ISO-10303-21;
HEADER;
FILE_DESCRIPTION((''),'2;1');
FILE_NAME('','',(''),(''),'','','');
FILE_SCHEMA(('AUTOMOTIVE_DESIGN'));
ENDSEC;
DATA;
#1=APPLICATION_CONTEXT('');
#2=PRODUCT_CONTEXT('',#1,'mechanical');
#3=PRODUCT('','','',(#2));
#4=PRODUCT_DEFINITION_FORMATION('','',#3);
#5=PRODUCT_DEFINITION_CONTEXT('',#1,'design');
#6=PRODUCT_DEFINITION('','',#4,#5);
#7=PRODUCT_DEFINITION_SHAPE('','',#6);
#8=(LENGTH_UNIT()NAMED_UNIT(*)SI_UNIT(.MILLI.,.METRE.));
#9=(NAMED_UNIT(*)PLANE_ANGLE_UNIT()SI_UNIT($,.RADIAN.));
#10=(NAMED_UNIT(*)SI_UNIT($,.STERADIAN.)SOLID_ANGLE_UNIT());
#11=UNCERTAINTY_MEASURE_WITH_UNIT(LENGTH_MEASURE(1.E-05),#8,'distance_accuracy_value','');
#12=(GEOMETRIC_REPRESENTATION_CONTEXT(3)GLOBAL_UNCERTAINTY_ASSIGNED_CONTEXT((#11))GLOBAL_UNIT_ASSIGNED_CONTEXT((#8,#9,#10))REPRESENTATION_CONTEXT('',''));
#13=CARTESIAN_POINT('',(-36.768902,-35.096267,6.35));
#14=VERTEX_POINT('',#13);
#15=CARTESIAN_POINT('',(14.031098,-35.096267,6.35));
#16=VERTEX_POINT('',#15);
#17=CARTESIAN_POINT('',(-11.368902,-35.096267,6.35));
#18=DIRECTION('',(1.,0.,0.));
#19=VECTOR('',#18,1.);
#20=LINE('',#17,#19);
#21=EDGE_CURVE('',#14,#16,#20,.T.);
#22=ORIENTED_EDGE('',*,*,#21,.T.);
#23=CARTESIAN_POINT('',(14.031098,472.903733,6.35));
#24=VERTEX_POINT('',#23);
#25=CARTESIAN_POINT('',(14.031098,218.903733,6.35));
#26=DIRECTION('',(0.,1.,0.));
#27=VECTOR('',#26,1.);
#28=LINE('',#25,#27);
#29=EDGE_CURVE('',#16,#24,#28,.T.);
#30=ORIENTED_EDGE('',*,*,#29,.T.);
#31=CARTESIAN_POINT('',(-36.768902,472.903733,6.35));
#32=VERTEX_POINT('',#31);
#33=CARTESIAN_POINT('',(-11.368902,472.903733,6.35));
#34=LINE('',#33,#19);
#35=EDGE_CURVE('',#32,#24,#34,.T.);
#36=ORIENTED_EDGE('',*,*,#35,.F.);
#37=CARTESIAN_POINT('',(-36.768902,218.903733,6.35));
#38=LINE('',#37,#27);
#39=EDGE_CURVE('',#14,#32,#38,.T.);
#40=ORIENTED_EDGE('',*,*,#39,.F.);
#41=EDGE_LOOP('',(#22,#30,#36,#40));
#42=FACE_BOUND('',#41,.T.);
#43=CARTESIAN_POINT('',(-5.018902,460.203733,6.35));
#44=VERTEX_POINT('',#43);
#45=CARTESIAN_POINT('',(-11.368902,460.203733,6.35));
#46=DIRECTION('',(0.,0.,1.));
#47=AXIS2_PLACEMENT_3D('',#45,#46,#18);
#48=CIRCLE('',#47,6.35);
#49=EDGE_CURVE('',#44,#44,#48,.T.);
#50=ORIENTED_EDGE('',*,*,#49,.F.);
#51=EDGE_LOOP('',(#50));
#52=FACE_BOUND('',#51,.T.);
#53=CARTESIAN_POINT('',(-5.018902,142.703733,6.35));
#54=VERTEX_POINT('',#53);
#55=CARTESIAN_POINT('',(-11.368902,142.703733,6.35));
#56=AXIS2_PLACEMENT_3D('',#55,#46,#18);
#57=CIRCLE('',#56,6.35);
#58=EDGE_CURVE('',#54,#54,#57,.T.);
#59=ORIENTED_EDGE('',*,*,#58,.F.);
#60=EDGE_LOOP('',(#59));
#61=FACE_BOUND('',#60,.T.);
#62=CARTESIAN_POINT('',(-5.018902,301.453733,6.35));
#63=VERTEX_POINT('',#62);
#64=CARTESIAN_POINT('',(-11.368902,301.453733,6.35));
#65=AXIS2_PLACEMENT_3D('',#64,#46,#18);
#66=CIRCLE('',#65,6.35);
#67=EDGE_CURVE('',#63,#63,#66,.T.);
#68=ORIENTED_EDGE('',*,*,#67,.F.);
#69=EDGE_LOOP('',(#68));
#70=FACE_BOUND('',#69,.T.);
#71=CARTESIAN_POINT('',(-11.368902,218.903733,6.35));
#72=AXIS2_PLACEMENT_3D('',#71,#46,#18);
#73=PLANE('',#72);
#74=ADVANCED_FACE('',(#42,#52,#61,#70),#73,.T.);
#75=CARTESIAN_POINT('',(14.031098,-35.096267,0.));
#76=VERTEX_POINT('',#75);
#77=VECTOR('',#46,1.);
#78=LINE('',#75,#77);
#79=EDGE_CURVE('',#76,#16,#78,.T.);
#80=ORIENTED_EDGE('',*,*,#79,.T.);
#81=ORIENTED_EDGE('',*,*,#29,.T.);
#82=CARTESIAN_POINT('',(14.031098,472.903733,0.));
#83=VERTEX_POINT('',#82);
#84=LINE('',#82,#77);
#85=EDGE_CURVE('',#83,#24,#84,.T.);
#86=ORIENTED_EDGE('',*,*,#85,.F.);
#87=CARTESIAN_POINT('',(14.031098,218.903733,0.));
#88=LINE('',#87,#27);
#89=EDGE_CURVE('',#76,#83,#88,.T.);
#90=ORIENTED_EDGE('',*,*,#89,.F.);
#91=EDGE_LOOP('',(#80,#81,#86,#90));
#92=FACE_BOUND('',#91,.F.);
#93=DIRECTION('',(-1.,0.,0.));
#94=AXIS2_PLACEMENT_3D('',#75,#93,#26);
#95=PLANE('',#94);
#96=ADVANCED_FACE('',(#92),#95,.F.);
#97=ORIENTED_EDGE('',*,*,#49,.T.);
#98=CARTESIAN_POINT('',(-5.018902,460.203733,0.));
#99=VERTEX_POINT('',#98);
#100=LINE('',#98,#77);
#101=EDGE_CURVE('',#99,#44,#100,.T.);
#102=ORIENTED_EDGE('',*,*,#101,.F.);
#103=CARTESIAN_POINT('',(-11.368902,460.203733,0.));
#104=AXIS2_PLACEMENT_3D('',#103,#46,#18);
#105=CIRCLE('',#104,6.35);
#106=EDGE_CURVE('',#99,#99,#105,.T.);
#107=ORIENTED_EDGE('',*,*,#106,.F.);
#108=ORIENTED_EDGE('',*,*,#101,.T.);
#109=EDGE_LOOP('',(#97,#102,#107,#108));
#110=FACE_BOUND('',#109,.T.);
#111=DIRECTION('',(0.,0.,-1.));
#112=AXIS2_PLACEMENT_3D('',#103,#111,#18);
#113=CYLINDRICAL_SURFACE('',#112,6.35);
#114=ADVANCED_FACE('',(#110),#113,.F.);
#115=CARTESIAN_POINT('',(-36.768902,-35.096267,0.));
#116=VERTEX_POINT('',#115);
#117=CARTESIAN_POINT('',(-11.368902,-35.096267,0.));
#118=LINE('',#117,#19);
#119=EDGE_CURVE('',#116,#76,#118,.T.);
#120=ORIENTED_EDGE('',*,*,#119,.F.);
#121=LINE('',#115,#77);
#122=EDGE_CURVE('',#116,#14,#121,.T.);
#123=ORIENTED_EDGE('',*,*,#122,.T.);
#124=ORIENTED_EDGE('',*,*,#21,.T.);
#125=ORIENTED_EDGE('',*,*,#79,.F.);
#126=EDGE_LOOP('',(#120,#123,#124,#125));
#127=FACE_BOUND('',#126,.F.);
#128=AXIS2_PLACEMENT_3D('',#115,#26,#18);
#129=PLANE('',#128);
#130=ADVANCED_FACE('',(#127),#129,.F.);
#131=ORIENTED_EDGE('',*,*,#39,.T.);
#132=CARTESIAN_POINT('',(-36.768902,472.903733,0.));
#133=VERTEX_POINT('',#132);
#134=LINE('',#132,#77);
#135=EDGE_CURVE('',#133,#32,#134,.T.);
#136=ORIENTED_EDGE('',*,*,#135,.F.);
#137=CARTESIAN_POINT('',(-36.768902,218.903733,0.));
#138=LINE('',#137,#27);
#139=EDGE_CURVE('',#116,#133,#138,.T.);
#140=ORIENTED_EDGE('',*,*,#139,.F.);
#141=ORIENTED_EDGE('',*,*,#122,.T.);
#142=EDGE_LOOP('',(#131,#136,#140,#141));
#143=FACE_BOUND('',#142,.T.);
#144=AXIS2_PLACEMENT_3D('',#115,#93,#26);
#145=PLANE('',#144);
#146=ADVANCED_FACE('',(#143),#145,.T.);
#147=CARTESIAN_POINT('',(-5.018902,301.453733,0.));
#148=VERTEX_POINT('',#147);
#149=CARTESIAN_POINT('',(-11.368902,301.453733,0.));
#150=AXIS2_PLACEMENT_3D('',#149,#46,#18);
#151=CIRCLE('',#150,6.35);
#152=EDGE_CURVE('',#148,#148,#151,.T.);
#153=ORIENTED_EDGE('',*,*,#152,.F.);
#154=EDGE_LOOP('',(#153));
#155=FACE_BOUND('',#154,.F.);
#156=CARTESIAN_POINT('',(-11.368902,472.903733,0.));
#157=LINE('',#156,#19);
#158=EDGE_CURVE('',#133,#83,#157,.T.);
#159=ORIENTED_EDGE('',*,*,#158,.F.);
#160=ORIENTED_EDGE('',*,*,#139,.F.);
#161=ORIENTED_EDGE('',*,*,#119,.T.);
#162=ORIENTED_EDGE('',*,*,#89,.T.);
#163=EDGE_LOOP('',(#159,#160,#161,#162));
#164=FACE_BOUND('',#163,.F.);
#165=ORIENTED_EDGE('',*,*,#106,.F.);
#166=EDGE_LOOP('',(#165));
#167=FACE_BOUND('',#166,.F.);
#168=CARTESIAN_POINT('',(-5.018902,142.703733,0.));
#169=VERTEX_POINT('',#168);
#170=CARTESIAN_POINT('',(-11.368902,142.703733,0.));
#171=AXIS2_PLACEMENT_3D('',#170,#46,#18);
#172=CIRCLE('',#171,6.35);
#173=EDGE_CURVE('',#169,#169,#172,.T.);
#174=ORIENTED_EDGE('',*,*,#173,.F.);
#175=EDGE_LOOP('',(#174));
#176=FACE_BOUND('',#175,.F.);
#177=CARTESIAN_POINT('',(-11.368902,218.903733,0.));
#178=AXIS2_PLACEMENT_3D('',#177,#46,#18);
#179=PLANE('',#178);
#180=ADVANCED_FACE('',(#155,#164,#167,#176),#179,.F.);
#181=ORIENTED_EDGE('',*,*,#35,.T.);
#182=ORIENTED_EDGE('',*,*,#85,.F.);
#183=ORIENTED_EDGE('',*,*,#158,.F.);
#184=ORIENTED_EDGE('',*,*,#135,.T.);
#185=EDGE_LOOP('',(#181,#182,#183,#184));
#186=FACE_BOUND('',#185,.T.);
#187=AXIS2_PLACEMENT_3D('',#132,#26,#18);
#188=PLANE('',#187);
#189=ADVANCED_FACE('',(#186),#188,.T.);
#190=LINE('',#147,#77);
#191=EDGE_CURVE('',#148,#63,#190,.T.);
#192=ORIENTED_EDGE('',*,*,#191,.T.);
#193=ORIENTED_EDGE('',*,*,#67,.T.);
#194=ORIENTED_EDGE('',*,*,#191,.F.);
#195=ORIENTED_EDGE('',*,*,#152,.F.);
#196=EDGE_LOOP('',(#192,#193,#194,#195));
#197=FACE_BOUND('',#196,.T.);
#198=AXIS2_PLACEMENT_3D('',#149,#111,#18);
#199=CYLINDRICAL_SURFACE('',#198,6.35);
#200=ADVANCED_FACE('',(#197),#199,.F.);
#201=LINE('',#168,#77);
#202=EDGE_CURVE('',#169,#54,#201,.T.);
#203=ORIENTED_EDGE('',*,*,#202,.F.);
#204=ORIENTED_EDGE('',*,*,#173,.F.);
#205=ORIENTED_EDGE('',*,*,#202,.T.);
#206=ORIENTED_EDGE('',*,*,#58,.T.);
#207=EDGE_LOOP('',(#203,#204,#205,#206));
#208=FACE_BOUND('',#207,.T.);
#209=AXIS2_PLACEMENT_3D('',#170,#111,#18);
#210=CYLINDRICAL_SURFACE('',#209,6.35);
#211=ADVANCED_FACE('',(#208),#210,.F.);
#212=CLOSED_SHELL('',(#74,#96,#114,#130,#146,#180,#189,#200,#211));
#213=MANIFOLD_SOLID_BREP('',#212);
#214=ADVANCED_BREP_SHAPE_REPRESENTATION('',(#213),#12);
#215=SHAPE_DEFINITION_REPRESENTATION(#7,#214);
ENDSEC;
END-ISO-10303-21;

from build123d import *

# Parameters (mm, degrees)
F0_W     = 50.8
F0_H     = 508
F0_R     = 6.35
F1_DEPTH = 6.35


with BuildPart() as f1:
    # F0 (on Top) → F1 (new body)
    with BuildSketch(Plane.XY):
        with Locations((-11.368902, 218.903733)):
            Rectangle(F0_W, F0_H)
        with Locations((-11.368902, 142.703733)):
            Circle(F0_R, mode=Mode.SUBTRACT)
        with Locations((-11.368902, 301.453733)):
            Circle(F0_R, mode=Mode.SUBTRACT)
        with Locations((-11.368902, 460.203733)):
            Circle(F0_R, mode=Mode.SUBTRACT)
    extrude(amount=F1_DEPTH)


solid = f1.part
